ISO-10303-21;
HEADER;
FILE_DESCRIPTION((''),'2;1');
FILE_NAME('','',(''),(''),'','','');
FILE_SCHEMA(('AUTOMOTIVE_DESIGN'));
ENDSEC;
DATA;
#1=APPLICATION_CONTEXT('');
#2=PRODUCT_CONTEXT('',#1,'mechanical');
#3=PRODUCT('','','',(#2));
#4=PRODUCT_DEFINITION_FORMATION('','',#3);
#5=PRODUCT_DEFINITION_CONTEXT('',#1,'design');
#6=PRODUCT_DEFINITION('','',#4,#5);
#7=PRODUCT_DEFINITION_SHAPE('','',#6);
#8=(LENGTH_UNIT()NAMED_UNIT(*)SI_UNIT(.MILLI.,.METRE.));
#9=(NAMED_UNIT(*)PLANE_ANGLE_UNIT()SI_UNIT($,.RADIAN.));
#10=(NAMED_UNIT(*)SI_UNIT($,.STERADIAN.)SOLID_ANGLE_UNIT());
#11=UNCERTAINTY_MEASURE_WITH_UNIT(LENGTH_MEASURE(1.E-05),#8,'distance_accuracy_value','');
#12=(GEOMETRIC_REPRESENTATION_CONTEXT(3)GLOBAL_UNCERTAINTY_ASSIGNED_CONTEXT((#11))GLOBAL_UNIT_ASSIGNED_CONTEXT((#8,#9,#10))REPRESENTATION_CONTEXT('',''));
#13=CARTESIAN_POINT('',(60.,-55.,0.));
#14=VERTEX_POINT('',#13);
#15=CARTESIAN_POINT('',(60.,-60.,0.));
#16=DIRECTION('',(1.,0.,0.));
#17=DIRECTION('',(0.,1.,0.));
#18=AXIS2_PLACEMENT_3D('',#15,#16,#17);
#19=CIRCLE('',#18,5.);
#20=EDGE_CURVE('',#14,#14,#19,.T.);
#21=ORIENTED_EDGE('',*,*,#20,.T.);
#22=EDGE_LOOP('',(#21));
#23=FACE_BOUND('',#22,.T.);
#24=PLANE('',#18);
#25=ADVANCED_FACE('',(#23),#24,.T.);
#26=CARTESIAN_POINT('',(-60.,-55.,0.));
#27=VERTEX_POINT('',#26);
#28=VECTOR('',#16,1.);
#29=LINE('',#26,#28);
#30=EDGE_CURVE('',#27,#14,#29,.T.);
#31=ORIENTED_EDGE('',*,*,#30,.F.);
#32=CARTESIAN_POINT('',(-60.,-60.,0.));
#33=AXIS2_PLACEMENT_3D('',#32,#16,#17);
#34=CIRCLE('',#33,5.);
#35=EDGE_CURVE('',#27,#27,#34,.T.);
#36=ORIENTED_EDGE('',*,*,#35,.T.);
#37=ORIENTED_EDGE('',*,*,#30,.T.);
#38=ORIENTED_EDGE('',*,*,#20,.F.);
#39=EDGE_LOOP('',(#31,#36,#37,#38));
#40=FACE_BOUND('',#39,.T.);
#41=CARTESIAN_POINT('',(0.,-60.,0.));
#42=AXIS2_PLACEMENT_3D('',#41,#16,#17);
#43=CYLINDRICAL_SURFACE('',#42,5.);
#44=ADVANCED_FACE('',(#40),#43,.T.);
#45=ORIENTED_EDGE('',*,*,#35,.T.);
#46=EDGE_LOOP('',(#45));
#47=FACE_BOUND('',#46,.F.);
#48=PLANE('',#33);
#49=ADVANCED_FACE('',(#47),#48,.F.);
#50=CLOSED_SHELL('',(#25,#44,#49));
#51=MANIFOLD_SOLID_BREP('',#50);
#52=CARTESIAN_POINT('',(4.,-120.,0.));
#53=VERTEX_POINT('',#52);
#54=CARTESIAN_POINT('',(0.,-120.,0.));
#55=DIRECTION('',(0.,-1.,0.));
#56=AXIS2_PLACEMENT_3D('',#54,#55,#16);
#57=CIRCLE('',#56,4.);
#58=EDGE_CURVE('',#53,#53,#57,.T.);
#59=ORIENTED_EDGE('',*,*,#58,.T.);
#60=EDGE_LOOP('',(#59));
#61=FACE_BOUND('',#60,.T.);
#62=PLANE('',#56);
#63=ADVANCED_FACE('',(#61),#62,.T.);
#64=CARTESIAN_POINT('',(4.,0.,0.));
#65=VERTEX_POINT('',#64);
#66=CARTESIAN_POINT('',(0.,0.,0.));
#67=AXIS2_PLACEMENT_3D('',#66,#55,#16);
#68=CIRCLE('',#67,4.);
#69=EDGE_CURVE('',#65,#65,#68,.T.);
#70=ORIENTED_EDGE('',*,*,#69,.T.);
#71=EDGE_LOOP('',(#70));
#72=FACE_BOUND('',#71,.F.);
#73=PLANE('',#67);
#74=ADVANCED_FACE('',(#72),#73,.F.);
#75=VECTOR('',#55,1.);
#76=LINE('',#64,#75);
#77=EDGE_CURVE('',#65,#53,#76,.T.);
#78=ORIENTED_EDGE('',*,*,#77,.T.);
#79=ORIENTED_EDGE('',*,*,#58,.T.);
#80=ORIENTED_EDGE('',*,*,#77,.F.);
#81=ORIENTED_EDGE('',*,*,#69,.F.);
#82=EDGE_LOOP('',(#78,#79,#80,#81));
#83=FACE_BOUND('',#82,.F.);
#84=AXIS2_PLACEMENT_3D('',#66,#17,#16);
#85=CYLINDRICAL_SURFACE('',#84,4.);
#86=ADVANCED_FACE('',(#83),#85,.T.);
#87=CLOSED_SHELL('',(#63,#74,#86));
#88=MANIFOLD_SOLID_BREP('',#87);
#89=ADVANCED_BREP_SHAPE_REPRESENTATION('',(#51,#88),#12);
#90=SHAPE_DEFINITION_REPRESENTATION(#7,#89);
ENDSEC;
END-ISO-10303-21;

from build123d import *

# Parameters (mm, degrees)
F0_R          = 4
F1_DEPTH      = 120
F2_R          = 5
F3_DEPTH      = 60
F3_DEPTH_BACK = 60


with BuildPart() as f1:
    # F0 (on Front) → F1 (new body)
    with BuildSketch(Plane.XZ):
        Circle(F0_R)
    extrude(amount=F1_DEPTH)


with BuildPart() as f3:
    # F2 (on Right) → F3 (new body, two sides)
    with BuildSketch(Plane.YZ) as f3_sk:
        with Locations((-60, 0)):
            Circle(F2_R)
    extrude(amount=F3_DEPTH)
    extrude(f3_sk.sketch, amount=-F3_DEPTH_BACK)


solid = Compound([f1.part, f3.part])
